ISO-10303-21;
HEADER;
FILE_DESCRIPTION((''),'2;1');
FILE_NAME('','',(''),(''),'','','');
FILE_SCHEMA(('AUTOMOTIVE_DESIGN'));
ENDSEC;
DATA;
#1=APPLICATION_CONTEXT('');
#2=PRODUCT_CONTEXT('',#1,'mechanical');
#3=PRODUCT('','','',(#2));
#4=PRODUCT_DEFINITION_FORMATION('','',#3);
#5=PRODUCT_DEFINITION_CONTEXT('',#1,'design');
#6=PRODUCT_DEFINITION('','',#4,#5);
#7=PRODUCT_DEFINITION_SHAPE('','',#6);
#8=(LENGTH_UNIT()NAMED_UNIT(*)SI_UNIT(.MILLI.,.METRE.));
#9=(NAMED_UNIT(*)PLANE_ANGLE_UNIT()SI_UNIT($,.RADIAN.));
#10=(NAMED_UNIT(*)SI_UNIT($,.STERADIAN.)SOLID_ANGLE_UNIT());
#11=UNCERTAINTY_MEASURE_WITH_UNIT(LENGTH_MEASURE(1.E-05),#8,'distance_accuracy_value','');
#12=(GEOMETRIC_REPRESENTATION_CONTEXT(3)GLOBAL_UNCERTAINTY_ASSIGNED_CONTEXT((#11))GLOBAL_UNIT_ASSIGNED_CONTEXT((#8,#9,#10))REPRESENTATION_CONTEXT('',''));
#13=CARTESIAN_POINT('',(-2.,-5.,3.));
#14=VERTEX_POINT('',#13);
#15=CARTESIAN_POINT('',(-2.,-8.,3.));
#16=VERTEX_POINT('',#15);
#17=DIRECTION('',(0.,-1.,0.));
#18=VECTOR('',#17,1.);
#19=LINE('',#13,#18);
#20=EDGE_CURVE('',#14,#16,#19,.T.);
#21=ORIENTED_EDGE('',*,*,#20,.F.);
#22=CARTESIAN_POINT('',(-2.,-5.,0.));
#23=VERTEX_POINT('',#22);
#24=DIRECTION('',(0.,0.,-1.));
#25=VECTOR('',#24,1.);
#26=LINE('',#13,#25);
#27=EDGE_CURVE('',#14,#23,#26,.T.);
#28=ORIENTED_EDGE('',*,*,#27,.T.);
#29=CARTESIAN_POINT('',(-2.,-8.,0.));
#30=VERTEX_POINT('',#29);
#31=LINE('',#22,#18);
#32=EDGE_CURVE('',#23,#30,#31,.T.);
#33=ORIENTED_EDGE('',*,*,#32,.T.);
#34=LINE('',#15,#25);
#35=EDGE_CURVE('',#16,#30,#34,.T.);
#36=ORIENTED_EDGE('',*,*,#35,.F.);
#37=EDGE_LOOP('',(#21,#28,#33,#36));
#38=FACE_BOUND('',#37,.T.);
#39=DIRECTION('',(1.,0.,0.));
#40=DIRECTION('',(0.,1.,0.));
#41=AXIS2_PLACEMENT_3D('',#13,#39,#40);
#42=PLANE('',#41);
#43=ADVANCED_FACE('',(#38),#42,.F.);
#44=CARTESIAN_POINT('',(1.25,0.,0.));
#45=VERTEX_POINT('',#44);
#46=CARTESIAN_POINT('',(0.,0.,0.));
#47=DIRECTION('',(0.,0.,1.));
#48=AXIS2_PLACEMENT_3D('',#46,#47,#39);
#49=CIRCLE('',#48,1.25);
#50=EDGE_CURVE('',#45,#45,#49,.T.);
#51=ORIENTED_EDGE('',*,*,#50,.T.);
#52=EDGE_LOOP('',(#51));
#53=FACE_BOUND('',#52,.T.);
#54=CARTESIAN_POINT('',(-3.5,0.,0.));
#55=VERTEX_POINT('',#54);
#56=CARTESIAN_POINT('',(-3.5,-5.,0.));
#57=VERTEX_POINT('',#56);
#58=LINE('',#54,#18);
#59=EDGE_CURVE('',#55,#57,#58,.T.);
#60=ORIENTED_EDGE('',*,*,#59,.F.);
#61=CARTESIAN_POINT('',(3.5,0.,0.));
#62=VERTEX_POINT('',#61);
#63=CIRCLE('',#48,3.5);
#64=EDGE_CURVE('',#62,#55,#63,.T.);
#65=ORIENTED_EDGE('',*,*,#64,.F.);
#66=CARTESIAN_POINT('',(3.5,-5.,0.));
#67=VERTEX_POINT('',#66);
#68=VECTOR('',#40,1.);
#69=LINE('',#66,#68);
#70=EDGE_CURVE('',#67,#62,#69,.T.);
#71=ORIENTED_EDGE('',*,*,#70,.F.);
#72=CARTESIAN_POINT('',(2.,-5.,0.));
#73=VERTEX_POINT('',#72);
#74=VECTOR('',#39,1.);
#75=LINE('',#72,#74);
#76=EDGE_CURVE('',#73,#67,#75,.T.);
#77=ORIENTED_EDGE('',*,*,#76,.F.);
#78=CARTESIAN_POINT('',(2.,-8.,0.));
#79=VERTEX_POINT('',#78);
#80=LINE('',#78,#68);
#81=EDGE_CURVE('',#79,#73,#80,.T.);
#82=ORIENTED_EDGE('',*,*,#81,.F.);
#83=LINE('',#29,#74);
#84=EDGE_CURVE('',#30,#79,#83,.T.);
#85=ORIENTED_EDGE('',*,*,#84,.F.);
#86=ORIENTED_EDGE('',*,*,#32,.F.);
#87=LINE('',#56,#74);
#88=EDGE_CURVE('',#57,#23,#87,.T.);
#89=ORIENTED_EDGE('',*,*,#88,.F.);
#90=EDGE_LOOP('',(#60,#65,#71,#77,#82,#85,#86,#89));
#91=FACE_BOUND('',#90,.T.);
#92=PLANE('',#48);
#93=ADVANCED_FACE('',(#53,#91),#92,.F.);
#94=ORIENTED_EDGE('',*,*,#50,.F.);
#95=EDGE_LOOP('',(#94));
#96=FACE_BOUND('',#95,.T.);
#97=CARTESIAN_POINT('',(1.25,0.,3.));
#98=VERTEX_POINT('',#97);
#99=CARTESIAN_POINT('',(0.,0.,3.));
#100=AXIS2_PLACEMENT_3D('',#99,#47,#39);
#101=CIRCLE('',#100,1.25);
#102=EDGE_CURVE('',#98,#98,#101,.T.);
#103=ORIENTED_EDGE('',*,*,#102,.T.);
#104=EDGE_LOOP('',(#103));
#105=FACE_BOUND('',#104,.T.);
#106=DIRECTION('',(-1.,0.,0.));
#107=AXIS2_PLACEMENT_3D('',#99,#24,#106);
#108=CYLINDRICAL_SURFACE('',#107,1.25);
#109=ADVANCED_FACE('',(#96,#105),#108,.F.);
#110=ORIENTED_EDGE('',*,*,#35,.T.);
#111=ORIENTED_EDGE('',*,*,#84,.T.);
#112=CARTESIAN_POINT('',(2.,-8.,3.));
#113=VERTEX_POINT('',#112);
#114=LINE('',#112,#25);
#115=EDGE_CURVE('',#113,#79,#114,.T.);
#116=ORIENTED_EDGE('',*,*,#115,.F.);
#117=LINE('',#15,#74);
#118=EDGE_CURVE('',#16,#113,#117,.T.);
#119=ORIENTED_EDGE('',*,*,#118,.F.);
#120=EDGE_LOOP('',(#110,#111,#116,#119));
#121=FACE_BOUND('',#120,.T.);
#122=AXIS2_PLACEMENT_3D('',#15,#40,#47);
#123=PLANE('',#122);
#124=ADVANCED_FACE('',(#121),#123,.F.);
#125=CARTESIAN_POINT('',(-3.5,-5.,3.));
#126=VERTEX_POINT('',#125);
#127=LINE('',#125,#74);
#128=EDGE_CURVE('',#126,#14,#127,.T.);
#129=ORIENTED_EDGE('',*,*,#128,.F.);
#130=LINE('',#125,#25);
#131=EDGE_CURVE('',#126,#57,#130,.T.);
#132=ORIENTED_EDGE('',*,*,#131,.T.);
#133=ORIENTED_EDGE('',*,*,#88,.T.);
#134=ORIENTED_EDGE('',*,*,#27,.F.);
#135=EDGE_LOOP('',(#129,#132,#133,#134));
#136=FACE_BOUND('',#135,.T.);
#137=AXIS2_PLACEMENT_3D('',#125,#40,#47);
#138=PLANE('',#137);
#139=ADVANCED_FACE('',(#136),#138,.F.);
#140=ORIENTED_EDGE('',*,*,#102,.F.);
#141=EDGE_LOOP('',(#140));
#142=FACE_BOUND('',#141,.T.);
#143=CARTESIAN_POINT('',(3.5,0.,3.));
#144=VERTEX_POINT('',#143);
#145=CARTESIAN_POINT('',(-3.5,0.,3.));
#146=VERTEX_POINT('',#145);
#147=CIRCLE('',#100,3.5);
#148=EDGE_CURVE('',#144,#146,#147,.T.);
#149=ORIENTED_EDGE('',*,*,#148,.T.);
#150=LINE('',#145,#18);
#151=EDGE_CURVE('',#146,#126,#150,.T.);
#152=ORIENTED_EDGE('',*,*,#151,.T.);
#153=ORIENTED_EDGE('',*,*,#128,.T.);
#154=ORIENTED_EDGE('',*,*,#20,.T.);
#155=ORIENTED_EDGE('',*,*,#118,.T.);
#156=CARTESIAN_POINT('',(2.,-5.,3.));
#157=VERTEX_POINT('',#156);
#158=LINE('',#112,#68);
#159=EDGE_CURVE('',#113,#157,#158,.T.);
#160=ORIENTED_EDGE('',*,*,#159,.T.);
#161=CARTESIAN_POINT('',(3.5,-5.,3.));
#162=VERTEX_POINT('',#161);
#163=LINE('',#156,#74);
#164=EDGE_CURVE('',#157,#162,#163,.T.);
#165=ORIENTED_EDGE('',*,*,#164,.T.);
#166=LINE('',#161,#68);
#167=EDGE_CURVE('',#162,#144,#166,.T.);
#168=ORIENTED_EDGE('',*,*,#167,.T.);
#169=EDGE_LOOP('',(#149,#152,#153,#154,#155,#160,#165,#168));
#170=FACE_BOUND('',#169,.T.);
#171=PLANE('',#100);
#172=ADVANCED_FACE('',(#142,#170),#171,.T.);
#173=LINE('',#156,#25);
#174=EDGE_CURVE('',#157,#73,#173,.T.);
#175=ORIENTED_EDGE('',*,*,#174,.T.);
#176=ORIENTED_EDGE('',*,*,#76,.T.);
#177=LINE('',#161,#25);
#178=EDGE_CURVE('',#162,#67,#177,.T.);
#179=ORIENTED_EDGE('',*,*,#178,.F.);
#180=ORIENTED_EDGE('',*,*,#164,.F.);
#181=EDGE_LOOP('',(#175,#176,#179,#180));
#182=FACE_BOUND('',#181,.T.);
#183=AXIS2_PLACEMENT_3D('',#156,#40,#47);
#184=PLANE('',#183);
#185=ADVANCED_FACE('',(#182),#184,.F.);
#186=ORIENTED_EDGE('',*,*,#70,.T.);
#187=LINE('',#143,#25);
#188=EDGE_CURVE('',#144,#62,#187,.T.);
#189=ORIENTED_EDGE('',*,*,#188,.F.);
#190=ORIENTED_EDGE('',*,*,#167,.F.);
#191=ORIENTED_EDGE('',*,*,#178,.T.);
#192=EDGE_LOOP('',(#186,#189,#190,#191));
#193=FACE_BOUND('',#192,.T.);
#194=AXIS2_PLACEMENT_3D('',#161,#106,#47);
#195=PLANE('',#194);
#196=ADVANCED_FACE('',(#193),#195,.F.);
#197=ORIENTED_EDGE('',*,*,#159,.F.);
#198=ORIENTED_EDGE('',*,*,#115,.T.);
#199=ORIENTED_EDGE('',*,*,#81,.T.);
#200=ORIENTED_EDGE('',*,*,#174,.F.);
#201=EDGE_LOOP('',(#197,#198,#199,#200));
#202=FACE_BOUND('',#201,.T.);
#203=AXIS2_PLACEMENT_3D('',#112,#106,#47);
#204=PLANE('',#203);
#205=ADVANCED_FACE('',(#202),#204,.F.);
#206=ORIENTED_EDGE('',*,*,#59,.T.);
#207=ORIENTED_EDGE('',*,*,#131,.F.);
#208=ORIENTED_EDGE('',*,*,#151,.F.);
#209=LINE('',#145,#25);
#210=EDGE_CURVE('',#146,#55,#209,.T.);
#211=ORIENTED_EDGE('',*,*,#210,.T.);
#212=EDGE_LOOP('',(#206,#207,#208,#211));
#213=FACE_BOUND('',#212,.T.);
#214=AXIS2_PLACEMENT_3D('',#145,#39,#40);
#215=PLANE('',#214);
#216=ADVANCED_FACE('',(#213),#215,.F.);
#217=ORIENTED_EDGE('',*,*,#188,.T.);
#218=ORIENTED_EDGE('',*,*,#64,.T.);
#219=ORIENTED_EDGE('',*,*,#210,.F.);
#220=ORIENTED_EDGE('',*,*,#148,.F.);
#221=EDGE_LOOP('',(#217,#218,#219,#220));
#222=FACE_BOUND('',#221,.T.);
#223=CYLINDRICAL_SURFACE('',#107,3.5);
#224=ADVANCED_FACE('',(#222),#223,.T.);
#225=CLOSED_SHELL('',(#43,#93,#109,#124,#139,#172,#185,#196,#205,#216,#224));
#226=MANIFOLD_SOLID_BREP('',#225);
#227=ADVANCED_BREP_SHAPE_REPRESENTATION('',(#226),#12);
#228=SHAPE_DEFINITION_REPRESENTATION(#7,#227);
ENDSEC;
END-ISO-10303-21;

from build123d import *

# Parameters (mm, degrees)
SKETCH1_R           = 1.25
BOSS_EXTRUDE1_DEPTH = 3


with BuildPart() as part:
    # Sketch1 → Boss-Extrude1 (new body)
    with BuildSketch(Plane.XY):
        with BuildLine():
            Line((-3.5, 0), (-3.5, -5))
            Line((-3.5, -5), (-2, -5))
            Line((-2, -5), (-2, -8))
            Line((-2, -8), (2, -8))
            Line((2, -8), (2, -5))
            Line((2, -5), (3.5, -5))
            Line((3.5, -5), (3.5, 0))
            ThreePointArc((3.5, 0), (0, 3.5), (-3.5, 0))
        make_face()
        Circle(SKETCH1_R, mode=Mode.SUBTRACT)
    extrude(amount=BOSS_EXTRUDE1_DEPTH)


solid = part.part
